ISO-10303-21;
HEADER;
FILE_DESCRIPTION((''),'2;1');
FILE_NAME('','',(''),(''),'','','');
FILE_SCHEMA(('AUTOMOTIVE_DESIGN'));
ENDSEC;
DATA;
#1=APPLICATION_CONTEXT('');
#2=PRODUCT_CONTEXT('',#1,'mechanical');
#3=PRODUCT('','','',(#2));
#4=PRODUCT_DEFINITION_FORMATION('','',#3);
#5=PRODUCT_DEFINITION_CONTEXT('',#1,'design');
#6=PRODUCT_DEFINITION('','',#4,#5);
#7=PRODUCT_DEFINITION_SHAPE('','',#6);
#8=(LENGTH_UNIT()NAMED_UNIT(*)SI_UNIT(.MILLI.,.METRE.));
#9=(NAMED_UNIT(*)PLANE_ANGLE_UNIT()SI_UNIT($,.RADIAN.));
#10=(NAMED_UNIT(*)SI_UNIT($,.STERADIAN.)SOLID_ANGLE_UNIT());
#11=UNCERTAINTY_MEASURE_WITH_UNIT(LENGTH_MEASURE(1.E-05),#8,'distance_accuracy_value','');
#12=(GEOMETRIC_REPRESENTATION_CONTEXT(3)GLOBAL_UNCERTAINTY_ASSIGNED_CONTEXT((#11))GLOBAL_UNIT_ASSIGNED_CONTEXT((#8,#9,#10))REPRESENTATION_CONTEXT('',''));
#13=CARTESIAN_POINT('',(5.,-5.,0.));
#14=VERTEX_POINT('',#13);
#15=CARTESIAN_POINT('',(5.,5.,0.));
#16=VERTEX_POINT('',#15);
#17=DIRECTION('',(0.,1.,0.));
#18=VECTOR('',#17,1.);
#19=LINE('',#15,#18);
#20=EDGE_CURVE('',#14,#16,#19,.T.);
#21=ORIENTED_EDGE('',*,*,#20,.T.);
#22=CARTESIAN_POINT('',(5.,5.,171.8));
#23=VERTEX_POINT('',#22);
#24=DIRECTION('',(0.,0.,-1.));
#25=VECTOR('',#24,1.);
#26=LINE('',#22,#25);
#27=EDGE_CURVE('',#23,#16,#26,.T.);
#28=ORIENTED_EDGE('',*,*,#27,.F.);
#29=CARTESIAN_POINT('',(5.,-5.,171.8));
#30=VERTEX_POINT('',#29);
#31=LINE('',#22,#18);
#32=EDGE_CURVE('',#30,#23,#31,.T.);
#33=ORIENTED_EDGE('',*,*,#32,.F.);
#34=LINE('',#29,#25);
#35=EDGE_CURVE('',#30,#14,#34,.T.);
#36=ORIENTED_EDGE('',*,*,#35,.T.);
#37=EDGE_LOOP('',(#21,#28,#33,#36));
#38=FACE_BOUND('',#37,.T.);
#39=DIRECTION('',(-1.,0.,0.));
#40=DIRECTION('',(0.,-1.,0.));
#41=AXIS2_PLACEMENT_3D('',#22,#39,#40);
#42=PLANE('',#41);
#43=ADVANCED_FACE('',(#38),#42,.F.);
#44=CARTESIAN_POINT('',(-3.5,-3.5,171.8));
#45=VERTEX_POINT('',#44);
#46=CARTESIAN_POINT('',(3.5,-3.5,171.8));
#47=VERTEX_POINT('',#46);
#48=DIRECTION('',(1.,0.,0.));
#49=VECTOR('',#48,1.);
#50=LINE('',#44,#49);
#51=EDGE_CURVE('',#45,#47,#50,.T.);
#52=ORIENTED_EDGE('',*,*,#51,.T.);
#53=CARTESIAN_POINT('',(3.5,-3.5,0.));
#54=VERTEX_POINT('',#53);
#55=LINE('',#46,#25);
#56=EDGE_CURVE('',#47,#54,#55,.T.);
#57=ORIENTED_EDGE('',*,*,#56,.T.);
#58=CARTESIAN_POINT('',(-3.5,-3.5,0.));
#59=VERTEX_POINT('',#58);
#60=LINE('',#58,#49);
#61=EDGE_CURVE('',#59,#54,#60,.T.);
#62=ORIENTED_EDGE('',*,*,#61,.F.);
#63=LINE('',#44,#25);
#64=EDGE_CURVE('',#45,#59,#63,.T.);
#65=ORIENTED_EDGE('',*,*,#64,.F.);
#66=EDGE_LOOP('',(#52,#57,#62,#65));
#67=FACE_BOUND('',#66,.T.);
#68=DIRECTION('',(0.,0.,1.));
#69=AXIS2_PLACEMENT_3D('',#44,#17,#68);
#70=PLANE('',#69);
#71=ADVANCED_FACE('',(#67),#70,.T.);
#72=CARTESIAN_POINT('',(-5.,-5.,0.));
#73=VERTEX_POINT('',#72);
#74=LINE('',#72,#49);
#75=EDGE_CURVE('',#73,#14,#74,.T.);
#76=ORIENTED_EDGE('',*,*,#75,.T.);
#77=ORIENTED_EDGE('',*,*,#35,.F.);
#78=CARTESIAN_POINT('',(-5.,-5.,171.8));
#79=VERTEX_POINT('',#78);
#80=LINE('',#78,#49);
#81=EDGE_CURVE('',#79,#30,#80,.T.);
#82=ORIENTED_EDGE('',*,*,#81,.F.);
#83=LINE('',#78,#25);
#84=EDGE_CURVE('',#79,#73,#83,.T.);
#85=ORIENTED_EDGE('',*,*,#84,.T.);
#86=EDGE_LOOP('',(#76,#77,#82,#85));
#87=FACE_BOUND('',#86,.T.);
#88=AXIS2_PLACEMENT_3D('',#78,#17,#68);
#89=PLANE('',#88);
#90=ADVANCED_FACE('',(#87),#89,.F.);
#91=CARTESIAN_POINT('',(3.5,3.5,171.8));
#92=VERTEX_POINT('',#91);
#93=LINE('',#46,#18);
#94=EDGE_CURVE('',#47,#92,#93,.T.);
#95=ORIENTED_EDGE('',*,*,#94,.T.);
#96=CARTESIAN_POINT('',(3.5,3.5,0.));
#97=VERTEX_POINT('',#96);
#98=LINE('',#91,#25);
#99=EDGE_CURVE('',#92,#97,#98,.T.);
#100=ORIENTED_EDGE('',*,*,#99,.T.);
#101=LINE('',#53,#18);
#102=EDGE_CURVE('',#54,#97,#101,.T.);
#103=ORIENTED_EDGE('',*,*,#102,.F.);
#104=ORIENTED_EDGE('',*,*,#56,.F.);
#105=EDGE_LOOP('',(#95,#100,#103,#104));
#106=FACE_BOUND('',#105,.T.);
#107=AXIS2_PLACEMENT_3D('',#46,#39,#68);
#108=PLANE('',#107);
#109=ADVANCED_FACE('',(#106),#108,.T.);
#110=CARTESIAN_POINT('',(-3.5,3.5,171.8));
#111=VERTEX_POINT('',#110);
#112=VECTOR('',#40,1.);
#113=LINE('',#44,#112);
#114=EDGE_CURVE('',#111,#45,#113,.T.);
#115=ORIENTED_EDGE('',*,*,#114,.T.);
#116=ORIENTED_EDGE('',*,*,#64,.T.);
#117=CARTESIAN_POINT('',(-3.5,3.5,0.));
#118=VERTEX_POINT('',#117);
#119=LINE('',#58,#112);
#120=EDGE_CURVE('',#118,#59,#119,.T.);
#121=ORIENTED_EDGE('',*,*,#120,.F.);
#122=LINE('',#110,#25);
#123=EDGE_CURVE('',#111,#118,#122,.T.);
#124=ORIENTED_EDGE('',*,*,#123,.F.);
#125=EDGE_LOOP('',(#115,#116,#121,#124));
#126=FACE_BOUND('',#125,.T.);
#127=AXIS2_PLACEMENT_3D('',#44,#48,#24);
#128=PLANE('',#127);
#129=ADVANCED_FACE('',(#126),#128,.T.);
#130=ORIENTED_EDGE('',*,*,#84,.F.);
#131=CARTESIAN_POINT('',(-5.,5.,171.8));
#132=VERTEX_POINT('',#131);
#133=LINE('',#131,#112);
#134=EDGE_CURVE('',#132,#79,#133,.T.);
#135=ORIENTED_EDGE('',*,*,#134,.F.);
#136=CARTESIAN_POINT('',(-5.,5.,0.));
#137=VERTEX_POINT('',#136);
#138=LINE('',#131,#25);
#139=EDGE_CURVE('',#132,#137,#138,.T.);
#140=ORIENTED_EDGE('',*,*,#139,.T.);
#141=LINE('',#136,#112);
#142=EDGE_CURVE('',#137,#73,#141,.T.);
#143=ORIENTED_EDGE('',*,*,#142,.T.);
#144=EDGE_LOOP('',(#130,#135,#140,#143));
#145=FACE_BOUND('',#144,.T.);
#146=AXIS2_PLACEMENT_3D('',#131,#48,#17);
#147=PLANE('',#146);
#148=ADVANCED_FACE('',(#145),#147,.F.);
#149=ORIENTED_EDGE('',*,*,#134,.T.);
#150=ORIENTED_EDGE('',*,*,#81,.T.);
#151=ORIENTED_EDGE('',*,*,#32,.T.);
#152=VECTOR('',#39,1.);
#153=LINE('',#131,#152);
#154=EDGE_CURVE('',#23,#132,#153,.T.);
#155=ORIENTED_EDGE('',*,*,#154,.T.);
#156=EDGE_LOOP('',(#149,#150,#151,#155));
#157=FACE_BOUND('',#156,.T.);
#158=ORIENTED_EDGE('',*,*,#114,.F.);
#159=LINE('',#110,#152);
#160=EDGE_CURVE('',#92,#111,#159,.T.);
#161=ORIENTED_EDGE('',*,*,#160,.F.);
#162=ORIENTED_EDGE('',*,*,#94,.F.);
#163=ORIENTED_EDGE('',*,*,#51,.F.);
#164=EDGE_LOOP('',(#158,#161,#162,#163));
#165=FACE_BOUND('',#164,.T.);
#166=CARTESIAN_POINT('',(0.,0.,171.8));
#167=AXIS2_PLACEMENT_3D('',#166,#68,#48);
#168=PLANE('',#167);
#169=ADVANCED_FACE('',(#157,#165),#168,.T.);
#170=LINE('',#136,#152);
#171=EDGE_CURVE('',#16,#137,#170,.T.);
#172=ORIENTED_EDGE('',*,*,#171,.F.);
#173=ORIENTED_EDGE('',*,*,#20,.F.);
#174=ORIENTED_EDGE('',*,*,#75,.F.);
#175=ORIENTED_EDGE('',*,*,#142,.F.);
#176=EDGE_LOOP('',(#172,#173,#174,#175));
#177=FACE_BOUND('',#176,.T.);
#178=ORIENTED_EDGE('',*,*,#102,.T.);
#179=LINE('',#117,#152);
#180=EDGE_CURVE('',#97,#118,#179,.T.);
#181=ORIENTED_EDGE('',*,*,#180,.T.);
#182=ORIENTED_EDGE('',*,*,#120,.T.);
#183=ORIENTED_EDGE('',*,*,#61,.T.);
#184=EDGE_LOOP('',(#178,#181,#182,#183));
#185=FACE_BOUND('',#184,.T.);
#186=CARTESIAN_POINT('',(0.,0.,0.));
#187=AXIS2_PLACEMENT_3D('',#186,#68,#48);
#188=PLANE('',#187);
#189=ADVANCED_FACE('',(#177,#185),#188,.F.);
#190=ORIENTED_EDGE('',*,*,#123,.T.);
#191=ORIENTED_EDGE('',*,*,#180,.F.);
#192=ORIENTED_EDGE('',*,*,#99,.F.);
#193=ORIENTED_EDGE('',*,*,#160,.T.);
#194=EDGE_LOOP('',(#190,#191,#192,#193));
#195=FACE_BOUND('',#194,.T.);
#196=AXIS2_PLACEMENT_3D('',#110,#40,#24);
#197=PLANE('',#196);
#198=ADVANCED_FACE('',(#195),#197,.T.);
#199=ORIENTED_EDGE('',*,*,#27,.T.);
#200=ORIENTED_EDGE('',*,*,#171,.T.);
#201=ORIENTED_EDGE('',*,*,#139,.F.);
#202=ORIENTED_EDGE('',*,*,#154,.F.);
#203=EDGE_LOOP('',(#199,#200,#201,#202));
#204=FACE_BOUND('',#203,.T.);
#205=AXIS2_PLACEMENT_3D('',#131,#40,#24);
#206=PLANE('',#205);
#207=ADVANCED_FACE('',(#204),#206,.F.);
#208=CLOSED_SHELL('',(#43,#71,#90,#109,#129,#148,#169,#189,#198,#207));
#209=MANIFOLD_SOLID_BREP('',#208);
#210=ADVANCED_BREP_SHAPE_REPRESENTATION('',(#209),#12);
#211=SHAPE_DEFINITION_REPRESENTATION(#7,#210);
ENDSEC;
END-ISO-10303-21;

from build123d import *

# Parameters (mm, degrees)
SKETCH1_W           = 10
SKETCH1_H           = 10
SKETCH1_W_2         = 7
SKETCH1_H_2         = 7
BOSS_EXTRUDE1_DEPTH = 171.8


with BuildPart() as part:
    # Sketch1 → Boss-Extrude1 (new body)
    with BuildSketch(Plane.XY):
        Rectangle(SKETCH1_W, SKETCH1_H)
        Rectangle(SKETCH1_W_2, SKETCH1_H_2, mode=Mode.SUBTRACT)
    extrude(amount=BOSS_EXTRUDE1_DEPTH)


solid = part.part
